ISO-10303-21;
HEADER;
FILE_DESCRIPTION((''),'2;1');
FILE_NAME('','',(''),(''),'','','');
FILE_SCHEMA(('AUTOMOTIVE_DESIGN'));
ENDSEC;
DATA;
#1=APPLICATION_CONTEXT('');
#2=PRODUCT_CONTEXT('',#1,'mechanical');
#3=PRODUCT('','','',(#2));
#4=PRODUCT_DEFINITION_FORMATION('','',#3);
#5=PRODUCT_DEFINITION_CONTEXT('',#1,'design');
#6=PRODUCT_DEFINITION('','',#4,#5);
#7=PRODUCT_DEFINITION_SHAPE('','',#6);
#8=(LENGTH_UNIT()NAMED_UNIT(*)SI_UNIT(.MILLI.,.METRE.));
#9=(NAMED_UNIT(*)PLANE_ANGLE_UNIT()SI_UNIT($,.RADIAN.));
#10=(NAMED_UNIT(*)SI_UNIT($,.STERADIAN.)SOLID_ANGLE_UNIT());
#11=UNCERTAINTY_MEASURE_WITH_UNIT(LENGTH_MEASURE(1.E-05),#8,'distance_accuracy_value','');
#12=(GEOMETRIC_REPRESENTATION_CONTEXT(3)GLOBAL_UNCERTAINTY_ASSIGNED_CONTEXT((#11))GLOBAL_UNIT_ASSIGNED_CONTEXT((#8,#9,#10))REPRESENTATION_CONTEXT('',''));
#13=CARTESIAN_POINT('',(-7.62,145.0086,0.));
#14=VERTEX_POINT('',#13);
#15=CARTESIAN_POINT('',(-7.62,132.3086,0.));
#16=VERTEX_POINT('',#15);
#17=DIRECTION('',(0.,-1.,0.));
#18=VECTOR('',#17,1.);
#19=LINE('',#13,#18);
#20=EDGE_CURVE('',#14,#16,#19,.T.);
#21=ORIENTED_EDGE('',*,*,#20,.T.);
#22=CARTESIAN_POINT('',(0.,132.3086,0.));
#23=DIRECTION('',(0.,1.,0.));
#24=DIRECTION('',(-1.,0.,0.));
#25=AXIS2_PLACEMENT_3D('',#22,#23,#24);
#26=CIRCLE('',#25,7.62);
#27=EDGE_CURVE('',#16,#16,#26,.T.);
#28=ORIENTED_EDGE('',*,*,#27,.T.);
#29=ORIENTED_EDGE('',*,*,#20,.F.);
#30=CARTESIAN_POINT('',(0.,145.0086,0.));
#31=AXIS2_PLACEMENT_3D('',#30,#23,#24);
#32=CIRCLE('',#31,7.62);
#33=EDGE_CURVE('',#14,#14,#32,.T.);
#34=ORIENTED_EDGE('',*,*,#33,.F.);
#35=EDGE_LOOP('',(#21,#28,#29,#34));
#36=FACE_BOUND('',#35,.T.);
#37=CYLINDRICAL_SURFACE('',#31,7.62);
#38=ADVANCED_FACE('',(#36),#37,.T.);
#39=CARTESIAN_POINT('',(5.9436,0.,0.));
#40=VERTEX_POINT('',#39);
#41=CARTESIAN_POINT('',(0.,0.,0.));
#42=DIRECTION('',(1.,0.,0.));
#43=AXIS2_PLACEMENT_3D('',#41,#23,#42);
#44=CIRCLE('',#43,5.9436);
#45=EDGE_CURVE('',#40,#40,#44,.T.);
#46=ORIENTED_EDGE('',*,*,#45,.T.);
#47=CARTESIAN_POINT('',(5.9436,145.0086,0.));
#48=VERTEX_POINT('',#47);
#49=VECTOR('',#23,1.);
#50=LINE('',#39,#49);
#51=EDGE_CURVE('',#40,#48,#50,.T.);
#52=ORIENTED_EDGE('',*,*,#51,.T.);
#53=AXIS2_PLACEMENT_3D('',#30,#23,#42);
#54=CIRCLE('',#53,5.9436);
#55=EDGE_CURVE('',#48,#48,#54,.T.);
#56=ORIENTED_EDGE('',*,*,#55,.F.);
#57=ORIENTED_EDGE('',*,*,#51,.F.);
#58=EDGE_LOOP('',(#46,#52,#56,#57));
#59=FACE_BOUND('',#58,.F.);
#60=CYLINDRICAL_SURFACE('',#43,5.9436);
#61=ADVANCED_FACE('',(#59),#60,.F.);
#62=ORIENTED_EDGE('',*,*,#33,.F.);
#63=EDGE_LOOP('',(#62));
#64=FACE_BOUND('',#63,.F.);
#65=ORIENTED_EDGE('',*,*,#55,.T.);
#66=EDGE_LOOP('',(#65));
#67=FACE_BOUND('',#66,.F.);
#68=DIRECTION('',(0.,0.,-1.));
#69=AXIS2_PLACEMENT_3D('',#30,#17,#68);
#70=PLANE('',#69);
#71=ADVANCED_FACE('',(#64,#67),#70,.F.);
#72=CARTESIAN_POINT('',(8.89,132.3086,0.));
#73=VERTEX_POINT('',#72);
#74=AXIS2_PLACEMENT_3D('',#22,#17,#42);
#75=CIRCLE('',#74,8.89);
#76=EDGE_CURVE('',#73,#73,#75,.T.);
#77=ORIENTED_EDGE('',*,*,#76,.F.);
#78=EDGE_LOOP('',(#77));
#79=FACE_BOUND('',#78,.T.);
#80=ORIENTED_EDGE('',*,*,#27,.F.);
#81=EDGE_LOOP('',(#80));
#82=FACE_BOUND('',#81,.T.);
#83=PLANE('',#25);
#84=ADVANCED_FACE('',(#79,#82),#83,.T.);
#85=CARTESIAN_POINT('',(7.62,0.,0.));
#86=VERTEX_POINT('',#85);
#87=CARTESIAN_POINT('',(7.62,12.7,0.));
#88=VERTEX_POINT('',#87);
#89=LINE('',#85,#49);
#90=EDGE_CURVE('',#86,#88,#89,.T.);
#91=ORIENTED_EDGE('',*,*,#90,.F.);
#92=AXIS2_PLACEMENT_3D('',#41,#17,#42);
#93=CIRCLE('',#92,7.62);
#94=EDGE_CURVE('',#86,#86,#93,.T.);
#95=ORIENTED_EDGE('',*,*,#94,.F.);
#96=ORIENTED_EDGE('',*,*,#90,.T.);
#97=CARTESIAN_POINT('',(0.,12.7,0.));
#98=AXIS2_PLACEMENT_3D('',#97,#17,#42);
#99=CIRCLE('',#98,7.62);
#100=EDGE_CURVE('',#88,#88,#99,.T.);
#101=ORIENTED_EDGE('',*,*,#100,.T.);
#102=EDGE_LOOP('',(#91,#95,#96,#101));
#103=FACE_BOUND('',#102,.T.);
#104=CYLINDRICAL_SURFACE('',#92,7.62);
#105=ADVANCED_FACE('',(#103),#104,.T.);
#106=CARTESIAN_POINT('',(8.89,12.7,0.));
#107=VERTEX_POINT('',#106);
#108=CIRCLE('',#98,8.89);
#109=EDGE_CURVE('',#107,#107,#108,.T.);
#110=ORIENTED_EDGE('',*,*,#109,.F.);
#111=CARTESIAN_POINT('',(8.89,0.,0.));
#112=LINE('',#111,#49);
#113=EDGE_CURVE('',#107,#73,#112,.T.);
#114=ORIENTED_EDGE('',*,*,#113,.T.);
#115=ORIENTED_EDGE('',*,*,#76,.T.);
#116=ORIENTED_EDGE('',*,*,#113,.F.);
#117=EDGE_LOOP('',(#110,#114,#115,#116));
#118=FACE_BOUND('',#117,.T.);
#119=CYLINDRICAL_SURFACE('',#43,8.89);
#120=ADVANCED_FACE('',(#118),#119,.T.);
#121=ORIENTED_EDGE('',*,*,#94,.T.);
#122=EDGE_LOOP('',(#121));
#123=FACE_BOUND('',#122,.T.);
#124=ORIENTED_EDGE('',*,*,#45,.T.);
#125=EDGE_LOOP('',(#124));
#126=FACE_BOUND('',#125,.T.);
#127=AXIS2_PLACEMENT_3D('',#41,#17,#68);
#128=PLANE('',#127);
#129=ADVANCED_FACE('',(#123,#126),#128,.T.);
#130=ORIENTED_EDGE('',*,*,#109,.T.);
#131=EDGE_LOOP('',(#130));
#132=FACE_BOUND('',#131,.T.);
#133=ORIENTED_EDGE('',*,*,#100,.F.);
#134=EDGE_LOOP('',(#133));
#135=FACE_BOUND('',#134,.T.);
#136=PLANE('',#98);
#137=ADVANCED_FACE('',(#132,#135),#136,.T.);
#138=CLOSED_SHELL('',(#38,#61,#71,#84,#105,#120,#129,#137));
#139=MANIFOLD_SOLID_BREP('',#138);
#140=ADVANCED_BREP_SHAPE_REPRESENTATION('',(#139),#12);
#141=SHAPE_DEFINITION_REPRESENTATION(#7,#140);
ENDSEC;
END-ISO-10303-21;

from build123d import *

# Parameters (mm, degrees)
F1_R     = 8.89
F1_R_2   = 5.9436
F3_R     = 8.89
F3_R_2   = 7.62
F4_DEPTH = 12.7
F5_R     = 8.89
F5_R_2   = 7.62
F6_DEPTH = 12.7


with BuildPart() as f2:
    # F2: sweep along a path in F0
    with BuildLine(Plane.XY) as f2_path:
        Line((0, 0), (0, 145.0086))
    # F1 (on Front) → F2 (sweep)
    with BuildSketch(Plane.XZ):
        Circle(F1_R)
        Circle(F1_R_2, mode=Mode.SUBTRACT)
    sweep(path=f2_path.line)

    # F3 (on face) → F4 (cut)
    with BuildSketch(Plane(origin=(0, 145.0086, 0), x_dir=(-1, 0, 0), z_dir=(0, 1, 0))):
        Circle(F3_R)
        Circle(F3_R_2, mode=Mode.SUBTRACT)
    extrude(amount=-F4_DEPTH, mode=Mode.SUBTRACT)

    # F5 (on face) → F6 (cut)
    with BuildSketch(Plane.XZ):
        Circle(F5_R)
        Circle(F5_R_2, mode=Mode.SUBTRACT)
    extrude(amount=-F6_DEPTH, mode=Mode.SUBTRACT)


solid = f2.part
